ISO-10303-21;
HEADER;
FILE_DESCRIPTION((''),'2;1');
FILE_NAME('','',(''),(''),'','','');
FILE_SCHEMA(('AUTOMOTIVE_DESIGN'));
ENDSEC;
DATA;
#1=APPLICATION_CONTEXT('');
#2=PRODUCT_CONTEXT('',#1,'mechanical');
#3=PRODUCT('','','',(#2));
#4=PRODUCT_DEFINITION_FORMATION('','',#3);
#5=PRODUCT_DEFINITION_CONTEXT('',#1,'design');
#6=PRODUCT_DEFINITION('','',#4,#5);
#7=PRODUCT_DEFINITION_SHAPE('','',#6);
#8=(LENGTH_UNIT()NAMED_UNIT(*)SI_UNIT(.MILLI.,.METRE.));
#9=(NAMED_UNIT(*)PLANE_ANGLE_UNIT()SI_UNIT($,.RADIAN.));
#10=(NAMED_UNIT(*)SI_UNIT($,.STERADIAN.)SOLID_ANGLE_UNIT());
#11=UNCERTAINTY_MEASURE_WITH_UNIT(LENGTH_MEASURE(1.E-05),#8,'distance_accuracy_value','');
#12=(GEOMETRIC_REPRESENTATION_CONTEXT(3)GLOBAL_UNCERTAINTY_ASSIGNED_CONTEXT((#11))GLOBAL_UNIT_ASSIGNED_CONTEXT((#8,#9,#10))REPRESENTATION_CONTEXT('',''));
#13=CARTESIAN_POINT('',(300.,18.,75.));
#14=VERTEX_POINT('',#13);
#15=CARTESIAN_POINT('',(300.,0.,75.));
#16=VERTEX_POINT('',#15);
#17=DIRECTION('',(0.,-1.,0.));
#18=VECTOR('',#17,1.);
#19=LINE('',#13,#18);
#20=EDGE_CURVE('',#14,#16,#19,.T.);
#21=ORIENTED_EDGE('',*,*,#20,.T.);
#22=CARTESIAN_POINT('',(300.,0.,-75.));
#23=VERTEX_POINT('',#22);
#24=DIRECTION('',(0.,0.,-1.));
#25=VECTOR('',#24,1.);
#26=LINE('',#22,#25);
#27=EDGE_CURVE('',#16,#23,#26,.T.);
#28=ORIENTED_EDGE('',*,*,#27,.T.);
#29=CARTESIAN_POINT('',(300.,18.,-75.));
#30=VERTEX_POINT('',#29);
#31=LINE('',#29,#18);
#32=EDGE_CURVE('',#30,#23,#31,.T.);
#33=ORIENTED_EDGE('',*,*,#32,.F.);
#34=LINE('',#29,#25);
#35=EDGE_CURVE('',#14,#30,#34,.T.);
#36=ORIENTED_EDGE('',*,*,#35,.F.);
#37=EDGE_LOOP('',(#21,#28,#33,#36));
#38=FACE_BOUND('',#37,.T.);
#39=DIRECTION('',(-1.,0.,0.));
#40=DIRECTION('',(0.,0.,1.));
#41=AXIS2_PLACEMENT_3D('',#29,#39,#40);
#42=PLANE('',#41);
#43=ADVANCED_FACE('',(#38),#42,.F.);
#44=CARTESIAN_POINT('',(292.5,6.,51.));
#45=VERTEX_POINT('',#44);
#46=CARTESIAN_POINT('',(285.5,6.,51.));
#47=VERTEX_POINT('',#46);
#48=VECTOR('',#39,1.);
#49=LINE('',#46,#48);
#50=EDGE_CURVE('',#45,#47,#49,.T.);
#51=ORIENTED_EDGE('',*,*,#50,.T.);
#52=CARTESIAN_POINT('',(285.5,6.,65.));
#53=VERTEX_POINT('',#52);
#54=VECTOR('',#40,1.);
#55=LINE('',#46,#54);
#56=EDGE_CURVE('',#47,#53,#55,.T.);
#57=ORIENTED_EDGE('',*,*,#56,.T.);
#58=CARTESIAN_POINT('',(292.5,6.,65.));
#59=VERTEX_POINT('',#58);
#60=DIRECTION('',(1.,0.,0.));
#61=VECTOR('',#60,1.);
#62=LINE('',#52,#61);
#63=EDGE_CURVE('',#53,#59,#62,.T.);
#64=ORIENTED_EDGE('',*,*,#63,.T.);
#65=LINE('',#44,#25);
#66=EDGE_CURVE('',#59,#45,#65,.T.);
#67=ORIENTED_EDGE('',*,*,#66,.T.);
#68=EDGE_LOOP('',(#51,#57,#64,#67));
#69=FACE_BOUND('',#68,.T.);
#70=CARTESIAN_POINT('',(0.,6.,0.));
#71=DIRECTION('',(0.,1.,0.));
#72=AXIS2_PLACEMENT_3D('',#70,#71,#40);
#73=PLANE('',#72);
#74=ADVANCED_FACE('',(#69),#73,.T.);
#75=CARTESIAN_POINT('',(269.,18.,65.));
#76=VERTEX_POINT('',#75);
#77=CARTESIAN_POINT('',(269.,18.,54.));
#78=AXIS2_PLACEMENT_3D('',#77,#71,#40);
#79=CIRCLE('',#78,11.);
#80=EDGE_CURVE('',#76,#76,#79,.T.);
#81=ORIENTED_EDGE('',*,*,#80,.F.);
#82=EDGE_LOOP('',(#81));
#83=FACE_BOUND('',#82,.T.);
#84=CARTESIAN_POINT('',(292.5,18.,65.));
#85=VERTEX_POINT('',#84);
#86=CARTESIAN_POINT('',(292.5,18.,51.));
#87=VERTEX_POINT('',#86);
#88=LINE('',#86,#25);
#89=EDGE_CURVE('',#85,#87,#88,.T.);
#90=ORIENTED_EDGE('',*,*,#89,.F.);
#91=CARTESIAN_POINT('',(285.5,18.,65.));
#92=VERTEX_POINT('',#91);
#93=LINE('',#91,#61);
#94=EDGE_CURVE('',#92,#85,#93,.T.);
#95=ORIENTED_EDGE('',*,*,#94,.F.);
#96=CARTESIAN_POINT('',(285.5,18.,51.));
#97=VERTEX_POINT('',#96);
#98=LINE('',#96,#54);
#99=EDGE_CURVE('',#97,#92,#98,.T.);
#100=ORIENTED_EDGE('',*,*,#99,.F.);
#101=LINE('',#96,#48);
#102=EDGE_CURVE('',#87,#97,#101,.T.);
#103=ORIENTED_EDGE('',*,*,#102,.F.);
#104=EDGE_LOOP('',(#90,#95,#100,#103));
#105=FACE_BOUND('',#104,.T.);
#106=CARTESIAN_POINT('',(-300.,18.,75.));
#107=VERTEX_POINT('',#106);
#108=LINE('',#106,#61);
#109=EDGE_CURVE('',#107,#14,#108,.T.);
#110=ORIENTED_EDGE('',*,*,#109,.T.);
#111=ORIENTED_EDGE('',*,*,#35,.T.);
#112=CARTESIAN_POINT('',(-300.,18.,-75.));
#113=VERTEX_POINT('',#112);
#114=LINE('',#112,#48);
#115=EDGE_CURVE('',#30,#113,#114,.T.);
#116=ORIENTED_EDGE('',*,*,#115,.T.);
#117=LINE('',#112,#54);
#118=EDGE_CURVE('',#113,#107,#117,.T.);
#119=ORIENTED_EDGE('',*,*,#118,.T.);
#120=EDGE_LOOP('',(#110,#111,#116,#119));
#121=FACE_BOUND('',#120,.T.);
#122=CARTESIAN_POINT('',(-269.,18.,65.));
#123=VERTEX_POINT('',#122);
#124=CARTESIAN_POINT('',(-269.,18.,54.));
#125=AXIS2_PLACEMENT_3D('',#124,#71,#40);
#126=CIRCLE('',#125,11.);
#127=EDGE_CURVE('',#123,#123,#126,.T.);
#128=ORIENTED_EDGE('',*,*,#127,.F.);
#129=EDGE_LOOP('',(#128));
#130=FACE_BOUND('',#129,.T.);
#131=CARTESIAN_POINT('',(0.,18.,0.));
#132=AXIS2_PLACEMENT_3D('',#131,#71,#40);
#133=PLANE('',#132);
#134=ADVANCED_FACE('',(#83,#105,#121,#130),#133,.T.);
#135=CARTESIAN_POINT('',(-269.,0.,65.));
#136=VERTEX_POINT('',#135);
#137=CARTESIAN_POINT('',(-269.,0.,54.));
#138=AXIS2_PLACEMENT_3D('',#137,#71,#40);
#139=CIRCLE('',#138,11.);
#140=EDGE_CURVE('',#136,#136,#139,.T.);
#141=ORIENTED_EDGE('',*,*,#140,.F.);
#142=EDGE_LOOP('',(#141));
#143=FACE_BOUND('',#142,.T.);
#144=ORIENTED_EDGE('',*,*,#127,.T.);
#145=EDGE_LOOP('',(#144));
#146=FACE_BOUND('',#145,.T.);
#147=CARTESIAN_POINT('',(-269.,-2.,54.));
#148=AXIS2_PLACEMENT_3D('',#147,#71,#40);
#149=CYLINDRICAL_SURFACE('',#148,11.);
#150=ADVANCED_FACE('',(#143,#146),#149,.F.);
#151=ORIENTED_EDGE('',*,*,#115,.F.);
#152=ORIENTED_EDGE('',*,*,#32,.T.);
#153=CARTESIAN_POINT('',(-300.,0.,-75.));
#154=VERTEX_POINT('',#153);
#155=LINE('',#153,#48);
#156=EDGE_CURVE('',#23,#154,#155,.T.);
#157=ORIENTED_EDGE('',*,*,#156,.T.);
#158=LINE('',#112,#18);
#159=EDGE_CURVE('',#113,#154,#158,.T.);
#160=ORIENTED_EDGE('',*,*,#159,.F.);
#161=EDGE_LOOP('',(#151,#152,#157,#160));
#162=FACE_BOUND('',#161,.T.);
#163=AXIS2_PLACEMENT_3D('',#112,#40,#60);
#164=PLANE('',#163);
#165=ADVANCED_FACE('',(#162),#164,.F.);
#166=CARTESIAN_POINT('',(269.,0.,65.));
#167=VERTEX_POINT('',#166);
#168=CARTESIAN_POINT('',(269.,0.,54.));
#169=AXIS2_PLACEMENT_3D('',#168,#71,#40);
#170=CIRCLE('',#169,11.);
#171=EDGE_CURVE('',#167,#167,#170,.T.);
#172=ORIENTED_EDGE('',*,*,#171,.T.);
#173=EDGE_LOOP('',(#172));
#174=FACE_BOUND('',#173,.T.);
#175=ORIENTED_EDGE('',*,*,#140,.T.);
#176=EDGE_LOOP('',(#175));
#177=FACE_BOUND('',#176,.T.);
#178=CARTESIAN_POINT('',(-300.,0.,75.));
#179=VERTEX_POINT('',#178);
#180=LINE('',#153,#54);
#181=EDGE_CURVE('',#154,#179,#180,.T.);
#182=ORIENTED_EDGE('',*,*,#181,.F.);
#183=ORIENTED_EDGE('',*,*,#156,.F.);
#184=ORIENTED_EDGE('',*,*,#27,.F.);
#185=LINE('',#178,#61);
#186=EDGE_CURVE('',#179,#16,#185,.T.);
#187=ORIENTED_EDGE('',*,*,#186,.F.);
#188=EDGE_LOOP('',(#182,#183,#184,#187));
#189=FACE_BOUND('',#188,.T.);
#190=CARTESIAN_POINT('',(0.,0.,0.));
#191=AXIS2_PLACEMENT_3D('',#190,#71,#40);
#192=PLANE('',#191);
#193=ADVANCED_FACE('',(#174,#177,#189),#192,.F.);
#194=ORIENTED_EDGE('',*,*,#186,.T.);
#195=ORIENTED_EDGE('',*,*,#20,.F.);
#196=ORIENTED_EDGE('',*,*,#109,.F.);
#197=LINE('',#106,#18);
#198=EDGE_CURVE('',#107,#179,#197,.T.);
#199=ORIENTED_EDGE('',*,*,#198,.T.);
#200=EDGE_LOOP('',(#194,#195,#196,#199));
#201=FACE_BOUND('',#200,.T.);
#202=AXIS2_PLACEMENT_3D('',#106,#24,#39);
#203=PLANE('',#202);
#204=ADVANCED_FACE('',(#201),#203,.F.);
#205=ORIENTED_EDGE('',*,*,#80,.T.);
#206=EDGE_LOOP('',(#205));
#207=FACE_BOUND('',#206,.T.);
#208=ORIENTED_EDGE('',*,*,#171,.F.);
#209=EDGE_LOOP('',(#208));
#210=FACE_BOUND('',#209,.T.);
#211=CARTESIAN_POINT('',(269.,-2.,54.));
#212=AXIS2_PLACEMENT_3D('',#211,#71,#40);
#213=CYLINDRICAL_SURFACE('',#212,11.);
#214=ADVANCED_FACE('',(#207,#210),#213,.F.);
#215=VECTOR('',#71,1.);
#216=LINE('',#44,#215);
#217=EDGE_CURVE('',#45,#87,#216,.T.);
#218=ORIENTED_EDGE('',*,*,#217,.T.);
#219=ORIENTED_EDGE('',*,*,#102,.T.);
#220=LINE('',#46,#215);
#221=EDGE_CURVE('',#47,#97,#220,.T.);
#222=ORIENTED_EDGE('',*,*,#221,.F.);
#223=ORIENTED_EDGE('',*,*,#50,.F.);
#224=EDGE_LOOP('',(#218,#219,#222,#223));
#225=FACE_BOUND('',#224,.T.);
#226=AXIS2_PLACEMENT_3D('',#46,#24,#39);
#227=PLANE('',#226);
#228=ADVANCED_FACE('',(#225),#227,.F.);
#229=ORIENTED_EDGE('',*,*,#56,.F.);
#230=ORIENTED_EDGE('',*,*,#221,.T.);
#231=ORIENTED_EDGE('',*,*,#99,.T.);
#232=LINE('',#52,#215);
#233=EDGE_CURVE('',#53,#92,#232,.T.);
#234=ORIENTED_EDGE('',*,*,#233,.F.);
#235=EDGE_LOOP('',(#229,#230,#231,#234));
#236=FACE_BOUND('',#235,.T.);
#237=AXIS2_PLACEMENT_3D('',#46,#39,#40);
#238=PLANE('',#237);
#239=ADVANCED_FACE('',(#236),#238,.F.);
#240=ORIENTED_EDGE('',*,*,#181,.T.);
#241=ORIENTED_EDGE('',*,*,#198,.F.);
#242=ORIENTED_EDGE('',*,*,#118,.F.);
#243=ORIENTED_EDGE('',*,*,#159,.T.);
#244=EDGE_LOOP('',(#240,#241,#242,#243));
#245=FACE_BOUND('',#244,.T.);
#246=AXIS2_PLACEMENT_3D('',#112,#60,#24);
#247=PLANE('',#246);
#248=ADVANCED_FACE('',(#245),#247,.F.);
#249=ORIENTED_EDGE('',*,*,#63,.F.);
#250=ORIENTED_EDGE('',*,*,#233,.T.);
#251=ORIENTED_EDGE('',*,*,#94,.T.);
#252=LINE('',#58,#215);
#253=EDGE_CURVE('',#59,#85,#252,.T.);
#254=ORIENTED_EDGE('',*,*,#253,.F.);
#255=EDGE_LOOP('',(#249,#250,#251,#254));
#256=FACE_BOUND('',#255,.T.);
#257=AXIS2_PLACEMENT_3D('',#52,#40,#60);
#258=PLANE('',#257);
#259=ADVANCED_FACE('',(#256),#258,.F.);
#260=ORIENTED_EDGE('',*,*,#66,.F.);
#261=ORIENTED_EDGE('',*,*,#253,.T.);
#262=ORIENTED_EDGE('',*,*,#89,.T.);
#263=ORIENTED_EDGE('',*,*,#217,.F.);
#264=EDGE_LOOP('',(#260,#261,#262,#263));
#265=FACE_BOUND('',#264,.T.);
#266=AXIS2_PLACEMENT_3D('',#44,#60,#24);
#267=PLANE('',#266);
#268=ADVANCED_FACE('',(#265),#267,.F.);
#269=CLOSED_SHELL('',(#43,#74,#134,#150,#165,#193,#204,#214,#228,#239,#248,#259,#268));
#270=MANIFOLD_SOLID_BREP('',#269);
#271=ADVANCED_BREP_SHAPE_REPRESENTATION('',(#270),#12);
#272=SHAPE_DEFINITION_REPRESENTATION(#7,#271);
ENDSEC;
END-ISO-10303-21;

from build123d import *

# Parameters (mm, degrees)
ESQUISSE1_W             = 600
ESQUISSE1_H             = 150
BOSS_EXTRU_1_DEPTH      = 18
ESQUISSE3_R             = 11
ENL_V_MAT_EXTRU_1_DEPTH = 20
ESQUISSE4_W             = 7
ESQUISSE4_H             = 14
ENL_V_MAT_EXTRU_2_DEPTH = 12


with BuildPart() as part:
    # Esquisse1 → Boss.-Extru.1 (new body)
    with BuildSketch(Plane(origin=(0, 0, 0), x_dir=(1, 0, 0), z_dir=(0, 1, 0))):
        Rectangle(ESQUISSE1_W, ESQUISSE1_H)
    extrude(amount=BOSS_EXTRU_1_DEPTH)

    # Esquisse3 → Enlèv. mat.-Extru.1 (cut)
    with BuildSketch(Plane(origin=(0, 18, 0), x_dir=(1, 0, 0), z_dir=(0, 1, 0))):
        with Locations(Location((269, -54, 0), (0, 0, 270))):
            Circle(ESQUISSE3_R)
        with Locations(Location((-269, -54, 0), (0, 0, 270))):
            Circle(ESQUISSE3_R)
    extrude(amount=-ENL_V_MAT_EXTRU_1_DEPTH, mode=Mode.SUBTRACT)

    # Esquisse4 → Enlèv. mat.-Extru.2 (cut)
    with BuildSketch(Plane(origin=(0, 18, 0), x_dir=(1, 0, 0), z_dir=(0, 1, 0))):
        with Locations((289, -58)):
            Rectangle(ESQUISSE4_W, ESQUISSE4_H)
    extrude(amount=-ENL_V_MAT_EXTRU_2_DEPTH, mode=Mode.SUBTRACT)


solid = part.part
